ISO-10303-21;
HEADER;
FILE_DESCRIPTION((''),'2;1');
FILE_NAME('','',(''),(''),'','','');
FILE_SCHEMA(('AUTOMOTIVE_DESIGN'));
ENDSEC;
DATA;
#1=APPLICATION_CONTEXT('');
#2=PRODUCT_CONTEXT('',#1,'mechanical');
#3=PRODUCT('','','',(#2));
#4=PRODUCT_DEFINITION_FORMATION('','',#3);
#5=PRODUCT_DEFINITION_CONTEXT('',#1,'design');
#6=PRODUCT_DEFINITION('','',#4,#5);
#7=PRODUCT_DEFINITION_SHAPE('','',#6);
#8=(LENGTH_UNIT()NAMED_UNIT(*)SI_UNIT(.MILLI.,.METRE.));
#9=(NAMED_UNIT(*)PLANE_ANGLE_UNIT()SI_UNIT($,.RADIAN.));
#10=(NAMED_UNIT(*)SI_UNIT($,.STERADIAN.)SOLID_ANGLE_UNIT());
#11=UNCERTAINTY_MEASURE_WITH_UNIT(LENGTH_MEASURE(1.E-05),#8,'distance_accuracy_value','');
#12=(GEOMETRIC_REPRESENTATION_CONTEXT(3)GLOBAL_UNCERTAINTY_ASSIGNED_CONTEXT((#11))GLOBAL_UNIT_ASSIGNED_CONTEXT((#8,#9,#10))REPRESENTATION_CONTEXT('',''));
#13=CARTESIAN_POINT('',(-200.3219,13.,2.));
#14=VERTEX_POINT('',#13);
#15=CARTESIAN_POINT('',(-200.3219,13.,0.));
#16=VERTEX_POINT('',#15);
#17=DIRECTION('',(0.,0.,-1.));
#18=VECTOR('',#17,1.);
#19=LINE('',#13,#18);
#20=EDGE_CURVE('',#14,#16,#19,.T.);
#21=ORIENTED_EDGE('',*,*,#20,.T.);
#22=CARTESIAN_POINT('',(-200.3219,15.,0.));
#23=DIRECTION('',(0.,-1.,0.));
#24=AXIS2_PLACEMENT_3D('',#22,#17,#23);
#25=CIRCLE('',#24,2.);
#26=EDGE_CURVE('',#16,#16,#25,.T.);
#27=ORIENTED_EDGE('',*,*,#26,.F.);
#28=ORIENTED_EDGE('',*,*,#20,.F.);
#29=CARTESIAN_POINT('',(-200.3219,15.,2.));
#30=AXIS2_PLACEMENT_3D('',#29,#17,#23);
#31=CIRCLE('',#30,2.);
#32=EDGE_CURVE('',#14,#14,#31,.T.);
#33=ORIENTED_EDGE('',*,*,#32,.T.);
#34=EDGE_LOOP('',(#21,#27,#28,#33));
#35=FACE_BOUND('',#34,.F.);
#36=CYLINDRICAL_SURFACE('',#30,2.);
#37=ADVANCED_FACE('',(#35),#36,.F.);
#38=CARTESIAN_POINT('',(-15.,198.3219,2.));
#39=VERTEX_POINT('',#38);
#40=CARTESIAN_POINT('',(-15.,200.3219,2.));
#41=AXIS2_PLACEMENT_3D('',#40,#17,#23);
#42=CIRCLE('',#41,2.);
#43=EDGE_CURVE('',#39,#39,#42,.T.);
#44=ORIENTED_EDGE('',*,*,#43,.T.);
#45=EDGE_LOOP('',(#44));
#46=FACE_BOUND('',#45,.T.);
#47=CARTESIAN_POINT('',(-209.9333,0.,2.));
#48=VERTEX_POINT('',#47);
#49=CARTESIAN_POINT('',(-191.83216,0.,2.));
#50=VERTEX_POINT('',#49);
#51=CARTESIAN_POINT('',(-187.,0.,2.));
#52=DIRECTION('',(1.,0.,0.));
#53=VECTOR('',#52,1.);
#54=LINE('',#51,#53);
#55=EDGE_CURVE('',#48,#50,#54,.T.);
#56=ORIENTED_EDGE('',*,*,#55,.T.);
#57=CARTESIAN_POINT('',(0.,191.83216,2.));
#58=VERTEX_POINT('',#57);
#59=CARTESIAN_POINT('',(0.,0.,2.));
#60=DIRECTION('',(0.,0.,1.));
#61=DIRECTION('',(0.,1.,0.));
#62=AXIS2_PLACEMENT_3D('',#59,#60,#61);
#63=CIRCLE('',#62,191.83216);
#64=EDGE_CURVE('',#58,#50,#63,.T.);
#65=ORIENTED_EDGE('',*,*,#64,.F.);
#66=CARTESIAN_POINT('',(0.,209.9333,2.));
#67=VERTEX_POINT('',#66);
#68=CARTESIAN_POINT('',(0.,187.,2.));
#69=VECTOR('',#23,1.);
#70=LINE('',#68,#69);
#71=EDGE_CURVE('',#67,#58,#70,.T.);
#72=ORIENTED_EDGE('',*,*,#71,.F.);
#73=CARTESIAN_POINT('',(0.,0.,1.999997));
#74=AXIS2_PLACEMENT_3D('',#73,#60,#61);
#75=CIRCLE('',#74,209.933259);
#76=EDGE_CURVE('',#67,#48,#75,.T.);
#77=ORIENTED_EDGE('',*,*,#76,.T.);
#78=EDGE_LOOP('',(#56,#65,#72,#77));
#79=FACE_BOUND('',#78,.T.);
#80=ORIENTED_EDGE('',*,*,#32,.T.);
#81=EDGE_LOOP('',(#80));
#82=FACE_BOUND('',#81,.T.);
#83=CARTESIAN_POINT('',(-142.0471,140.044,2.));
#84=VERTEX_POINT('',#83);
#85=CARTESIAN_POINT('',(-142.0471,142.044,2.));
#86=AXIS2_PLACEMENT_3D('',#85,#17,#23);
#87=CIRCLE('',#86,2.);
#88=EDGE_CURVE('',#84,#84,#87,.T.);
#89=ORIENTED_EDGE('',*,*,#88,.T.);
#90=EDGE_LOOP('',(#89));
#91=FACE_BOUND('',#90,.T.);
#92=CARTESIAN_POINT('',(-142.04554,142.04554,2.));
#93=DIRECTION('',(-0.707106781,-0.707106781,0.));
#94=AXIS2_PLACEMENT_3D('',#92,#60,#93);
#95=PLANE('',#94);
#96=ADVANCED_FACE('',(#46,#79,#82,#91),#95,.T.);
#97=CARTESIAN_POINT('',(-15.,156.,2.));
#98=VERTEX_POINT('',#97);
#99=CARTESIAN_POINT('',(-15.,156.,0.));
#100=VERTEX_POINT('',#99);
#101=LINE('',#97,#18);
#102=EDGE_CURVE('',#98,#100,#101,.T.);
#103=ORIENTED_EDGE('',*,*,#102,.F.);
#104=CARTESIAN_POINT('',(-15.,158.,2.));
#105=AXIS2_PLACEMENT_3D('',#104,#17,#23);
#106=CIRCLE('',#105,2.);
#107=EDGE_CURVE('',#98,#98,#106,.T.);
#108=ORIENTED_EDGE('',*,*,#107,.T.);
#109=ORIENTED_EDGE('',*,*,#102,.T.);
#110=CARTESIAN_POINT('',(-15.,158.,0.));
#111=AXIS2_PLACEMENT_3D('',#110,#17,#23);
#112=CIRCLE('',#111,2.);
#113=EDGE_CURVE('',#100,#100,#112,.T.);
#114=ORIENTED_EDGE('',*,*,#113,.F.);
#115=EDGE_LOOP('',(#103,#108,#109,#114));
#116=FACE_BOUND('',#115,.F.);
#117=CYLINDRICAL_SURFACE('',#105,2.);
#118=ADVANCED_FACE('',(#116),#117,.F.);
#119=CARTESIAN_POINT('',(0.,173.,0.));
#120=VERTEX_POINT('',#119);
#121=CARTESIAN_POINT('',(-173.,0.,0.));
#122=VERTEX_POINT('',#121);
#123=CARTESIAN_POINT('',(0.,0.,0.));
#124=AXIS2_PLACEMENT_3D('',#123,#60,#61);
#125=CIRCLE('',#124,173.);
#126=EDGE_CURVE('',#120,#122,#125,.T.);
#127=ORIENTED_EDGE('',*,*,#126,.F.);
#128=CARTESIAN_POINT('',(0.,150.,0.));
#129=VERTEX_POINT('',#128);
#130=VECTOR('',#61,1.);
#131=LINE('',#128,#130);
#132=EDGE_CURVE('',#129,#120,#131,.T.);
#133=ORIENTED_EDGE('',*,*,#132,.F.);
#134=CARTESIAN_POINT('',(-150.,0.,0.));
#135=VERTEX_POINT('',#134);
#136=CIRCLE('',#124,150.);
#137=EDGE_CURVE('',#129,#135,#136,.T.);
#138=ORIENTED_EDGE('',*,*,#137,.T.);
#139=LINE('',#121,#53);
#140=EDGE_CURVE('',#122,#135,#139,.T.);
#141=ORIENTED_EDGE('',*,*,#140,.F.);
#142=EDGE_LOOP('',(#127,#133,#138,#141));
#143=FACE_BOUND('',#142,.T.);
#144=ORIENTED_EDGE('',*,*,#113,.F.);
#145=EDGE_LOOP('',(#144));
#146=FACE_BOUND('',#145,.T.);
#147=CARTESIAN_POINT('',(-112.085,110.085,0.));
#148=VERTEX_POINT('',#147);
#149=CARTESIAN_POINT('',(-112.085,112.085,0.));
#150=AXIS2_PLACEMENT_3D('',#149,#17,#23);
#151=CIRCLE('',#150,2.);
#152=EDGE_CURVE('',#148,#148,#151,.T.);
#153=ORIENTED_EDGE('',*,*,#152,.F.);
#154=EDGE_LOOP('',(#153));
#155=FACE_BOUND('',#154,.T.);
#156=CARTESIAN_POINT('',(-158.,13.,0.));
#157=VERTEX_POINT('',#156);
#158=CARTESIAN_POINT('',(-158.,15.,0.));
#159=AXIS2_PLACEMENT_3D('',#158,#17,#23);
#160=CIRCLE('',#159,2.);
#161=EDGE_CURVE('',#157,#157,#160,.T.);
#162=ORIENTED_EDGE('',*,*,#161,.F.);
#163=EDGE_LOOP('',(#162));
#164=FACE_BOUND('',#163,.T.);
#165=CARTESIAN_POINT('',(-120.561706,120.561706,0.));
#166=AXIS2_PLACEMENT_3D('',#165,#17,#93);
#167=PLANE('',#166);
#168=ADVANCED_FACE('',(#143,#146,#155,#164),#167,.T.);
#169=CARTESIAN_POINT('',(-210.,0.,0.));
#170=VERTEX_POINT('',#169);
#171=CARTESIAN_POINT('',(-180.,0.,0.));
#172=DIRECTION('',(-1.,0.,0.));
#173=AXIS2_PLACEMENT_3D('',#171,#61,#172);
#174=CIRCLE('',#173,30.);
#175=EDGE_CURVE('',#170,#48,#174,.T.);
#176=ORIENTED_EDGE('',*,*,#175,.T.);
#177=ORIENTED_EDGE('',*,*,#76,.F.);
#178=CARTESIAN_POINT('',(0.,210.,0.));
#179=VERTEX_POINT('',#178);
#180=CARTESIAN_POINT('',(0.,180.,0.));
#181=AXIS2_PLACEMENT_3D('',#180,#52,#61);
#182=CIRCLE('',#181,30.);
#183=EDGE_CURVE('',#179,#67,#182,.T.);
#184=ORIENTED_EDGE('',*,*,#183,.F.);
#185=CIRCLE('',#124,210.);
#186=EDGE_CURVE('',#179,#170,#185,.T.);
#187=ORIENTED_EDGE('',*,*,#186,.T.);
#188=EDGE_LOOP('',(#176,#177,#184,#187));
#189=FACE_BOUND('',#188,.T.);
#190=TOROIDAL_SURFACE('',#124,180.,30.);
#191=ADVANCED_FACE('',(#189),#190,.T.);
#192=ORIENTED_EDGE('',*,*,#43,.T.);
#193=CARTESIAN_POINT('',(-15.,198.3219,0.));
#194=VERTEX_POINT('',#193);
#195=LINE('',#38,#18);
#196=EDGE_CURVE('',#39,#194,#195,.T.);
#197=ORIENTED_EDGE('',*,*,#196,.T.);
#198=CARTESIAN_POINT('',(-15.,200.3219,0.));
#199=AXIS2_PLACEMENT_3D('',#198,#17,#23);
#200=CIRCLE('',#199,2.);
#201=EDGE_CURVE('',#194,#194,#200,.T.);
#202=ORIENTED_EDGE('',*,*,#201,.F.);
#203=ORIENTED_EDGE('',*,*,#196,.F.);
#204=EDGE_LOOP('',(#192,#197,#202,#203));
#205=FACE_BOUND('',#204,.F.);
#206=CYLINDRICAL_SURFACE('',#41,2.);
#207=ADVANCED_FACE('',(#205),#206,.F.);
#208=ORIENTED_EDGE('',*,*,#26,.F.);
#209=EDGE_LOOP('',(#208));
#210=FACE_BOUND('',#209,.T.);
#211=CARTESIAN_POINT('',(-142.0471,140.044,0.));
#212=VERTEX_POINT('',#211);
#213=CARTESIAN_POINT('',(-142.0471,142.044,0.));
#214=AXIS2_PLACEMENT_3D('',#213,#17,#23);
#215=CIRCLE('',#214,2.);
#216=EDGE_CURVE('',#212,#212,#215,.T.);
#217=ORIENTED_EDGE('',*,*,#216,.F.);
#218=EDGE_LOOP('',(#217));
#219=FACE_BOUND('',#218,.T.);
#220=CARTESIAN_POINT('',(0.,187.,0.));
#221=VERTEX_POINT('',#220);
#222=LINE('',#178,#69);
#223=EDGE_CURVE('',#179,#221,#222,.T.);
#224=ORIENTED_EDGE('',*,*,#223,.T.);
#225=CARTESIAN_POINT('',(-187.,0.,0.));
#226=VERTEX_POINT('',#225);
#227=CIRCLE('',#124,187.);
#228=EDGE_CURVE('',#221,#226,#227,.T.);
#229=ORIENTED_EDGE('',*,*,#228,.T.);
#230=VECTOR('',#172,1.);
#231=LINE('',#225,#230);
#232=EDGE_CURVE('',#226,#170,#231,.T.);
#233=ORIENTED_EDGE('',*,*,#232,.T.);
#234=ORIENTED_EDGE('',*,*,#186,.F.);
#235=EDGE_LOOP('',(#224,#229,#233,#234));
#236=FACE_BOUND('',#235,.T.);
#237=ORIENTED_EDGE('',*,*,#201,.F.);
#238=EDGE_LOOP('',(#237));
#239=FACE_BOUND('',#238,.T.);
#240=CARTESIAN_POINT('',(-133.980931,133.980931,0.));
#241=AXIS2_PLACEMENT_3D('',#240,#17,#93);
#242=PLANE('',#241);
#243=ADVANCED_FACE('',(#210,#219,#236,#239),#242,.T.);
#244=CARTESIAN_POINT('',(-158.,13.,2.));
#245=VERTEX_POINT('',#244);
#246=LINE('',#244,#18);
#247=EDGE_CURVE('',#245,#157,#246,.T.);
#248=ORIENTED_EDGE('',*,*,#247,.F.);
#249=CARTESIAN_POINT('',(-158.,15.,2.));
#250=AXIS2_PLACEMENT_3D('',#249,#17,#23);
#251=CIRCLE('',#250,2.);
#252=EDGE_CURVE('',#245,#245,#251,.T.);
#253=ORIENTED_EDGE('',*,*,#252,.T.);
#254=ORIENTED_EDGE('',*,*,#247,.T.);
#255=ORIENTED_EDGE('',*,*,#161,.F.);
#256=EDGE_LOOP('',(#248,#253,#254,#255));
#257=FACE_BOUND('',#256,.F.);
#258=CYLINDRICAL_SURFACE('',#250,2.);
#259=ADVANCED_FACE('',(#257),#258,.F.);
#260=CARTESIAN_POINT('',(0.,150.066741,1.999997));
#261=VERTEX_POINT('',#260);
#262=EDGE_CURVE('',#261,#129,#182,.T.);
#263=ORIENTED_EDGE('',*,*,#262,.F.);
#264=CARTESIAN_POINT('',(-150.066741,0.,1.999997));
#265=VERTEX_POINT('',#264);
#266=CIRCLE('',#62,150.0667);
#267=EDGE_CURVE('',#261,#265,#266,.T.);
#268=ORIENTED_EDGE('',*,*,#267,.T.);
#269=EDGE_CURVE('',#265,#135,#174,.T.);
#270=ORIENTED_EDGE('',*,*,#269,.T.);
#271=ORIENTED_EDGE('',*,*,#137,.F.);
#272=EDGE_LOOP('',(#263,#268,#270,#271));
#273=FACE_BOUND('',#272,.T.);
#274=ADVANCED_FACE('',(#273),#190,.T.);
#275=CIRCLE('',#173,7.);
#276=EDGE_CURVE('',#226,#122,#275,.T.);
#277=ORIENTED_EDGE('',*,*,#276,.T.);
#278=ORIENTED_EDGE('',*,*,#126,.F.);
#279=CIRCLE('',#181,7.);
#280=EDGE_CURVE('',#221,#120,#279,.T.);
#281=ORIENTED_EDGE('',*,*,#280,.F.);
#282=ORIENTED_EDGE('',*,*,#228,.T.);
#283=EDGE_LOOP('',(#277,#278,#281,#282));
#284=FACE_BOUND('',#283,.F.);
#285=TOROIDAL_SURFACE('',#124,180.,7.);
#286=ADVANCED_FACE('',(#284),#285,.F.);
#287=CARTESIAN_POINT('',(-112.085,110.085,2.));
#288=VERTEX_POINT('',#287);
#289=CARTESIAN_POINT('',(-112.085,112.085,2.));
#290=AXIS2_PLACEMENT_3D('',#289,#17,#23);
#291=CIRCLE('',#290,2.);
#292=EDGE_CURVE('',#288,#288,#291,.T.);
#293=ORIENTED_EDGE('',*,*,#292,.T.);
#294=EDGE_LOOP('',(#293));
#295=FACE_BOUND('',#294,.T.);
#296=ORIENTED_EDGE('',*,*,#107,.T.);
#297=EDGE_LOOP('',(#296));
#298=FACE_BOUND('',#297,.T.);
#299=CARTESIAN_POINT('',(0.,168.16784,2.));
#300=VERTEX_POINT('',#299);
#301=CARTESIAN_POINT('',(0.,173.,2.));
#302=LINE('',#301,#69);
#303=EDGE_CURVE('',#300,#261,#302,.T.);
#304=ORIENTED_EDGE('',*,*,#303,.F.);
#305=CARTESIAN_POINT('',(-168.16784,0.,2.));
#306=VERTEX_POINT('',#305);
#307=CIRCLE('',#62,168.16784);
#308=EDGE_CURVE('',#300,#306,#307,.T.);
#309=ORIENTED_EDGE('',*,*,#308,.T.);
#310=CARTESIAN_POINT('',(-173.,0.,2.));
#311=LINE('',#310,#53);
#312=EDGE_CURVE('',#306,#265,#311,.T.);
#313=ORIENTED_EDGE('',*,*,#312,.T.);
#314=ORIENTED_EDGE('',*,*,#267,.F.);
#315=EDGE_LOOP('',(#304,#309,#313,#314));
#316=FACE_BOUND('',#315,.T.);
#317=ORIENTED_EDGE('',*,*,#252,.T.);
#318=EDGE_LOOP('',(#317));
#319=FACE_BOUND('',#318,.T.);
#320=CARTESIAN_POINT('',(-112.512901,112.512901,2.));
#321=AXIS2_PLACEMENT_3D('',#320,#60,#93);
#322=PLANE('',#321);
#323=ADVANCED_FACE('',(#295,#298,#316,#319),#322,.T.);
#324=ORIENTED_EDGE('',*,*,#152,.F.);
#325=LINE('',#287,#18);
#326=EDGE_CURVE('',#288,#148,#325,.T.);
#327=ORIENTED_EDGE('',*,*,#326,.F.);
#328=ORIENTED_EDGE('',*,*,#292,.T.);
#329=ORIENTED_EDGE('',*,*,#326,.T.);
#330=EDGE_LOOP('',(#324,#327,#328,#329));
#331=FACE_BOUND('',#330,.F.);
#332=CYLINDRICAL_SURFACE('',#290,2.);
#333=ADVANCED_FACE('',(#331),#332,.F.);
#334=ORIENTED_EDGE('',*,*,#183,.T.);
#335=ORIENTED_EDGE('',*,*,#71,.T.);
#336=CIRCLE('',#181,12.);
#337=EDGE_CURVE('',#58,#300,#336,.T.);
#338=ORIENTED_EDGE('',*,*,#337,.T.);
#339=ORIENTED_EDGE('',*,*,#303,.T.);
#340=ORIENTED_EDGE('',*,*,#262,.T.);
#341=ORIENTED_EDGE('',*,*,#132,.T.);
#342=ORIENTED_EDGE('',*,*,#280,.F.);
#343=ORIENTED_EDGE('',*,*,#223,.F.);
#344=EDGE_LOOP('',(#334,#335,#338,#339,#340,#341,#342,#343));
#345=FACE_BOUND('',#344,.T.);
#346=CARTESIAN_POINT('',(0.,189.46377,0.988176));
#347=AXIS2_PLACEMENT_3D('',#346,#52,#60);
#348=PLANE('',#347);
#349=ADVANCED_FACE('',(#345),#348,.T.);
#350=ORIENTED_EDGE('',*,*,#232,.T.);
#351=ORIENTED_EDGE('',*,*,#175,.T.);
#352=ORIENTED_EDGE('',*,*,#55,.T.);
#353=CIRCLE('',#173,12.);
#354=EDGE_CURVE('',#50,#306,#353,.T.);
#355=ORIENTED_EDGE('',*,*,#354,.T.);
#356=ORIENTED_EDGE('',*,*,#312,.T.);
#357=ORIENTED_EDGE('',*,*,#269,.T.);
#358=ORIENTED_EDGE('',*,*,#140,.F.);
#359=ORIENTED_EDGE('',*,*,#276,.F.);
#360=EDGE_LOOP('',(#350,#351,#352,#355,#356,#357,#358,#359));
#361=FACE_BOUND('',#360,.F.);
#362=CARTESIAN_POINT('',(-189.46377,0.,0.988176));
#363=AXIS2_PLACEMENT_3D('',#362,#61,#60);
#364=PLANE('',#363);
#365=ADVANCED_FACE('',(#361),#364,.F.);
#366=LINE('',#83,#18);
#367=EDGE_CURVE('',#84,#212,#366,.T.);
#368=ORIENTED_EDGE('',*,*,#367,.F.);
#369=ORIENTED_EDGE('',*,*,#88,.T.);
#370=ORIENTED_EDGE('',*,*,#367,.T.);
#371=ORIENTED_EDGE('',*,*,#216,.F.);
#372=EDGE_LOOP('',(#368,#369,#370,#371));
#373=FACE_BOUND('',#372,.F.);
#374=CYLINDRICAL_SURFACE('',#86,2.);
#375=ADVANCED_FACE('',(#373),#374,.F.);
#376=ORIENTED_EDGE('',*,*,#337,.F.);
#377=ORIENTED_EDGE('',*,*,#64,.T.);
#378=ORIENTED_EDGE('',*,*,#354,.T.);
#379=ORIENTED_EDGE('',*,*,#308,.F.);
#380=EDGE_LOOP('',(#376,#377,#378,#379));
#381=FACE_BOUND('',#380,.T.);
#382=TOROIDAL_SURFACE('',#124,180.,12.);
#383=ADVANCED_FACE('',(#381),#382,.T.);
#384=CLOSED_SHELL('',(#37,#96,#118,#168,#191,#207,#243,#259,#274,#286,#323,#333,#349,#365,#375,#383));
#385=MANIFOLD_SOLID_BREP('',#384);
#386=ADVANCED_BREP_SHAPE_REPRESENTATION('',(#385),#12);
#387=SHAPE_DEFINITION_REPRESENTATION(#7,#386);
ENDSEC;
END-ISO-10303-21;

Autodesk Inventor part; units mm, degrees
ref_plane "YZ Plane" through (0, 0, 0) normal (1, 0, 0) x (0, 1, 0)
ref_plane "XZ Plane" through (0, 0, 0) normal (0, 1, 0) x (-1, 0, 0)
ref_plane "XY Plane" through (0, 0, 0) normal (0, 0, 1) x (1, 0, 0)
sketch "Skizze1" plane through (0, 0, 0) normal (0, 0, 1) x (1, 0, 0)
  arc A0 (0, 180) -> (-180, 0) centre (0, 0) ccw
  line L0 (-260.7351, 0) -> (43.4558, 0) projected
  line L1 (0, -43.4558) -> (0, 260.7351) projected
  dimension "d0" = 180
  dimension "d1" = 90
sketch "Skizze2" plane through (0, 0, 0) normal (0, 1, 0) x (-1, 0, 0)
  line L0 (0, -42) -> (0, 42) projected
  circle A0 centre (180, 0) radius 7
  line L1 (252, 0) -> (-42, 0) projected
  circle A1 centre (180, 0) radius 12
  line L2 (191.9553, 0) -> (168, 0)
  line L3 (173, 0) -> (160, 0)
  line L4 (173, 2) -> (173, 0)
  line L5 (187, 0) -> (200, 0)
  line L6 (187, 2) -> (187, 0)
  circle A2 centre (180, 0) radius 30
  line L7 (187, 2) -> (209.9333, 2)
  line L8 (173, 2) -> (150.0667, 2)
  point P0 (0, 0)
  point P1 (173, 0)
  point P2 (168, 0)
  point P3 (192, 0)
  point P4 (191.8322, 2)
  point P5 (168.1678, 2)
  point P6 (150, 0)
  point P7 (210, 0)
  dimension "d5" = 24
  dimension "d3" = 180
  dimension "d4" = 14
  dimension "d16" = 60
  dimension "d17" = 2
  dimension "d18" = 23
  dimension "d19" = 7
sweep "Sweeping1" add profiles "Skizze2" path "Skizze1" path curves A0 contours L6 L7 A1 L1 | A0 L4 L8 A1 L7 L6 | L1 A1 L8 L4 | L1 A2 L8 A1 | A1 L7 A2 L1
sketch "Skizze7" plane through (-168.1678, 0, 2) normal (0, 0, 1) x (1, 0, 0)
  line L0 (18.1678, 0) -> (18.1678, -3) projected
  line L1 (0, 0) -> (18.1011, 0) projected
  line L2 (168.1678, 150) -> (171.1678, 150) projected
  line L3 (168.1678, 168.1678) -> (168.1678, 150.0667) projected
  line L4 (168.1678, 210) -> (171.1678, 210) projected
  arc A0 (168.1678, 150.0667) -> (18.1011, 0) centre (168.1678, 0) ccw projected
  circle A1 centre (168.1678, 0) radius 168 projected
  line L5 (-41.8322, 0) -> (-41.8322, -3) projected
  point P0 (10.1678, 15)
  point P1 (56.0828, 112.085)
  point P2 (153.1678, 158)
  dimension "d36" = 8
  dimension "d37" = 15
  dimension "d38" = 8
  dimension "d39" = 15
  dimension "d41" = 97.915
  dimension "d42" = 97.915
hole "Bohrung1" at (-158, 15, 2) at (-112.085, 112.085, 2) at (-15, 158, 2) direction (0, 0, -1) diameter 4 depth 8
sketch "Skizze8" plane through (-209.9333, 0, 2) normal (0, 0, 1) x (1, 0, 0)
  line L0 (-0.0667, 0) -> (-0.0667, -3) projected
  line L1 (0, 0) -> (18.1011, 0) projected
  line L2 (209.9333, 209.9333) -> (209.9333, 191.8322) projected
  line L3 (209.9333, 210) -> (212.9333, 210) projected
  arc A0 (209.9333, 168.1678) -> (41.7654, 0) centre (209.9333, 0) ccw projected
  circle A1 centre (209.9333, 0) radius 200.8827
  point P0 (209.9333, 0)
  point P1 (9.6113, 15)
  point P2 (67.8861, 142.044)
  point P3 (194.9333, 200.3219)
  dimension "d51" = 15
  dimension "d52" = 15
  dimension "d54" = 142.044
  dimension "d59" = 401.7655
  dimension "d60" = 142.0471
hole "Bohrung3" at (-200.3219, 15, 2) at (-142.0471, 142.044, 2) at (-15, 200.3219, 2) direction (0, 0, -1) diameter 4 depth 8
properties part number "ph-l_mk1"
